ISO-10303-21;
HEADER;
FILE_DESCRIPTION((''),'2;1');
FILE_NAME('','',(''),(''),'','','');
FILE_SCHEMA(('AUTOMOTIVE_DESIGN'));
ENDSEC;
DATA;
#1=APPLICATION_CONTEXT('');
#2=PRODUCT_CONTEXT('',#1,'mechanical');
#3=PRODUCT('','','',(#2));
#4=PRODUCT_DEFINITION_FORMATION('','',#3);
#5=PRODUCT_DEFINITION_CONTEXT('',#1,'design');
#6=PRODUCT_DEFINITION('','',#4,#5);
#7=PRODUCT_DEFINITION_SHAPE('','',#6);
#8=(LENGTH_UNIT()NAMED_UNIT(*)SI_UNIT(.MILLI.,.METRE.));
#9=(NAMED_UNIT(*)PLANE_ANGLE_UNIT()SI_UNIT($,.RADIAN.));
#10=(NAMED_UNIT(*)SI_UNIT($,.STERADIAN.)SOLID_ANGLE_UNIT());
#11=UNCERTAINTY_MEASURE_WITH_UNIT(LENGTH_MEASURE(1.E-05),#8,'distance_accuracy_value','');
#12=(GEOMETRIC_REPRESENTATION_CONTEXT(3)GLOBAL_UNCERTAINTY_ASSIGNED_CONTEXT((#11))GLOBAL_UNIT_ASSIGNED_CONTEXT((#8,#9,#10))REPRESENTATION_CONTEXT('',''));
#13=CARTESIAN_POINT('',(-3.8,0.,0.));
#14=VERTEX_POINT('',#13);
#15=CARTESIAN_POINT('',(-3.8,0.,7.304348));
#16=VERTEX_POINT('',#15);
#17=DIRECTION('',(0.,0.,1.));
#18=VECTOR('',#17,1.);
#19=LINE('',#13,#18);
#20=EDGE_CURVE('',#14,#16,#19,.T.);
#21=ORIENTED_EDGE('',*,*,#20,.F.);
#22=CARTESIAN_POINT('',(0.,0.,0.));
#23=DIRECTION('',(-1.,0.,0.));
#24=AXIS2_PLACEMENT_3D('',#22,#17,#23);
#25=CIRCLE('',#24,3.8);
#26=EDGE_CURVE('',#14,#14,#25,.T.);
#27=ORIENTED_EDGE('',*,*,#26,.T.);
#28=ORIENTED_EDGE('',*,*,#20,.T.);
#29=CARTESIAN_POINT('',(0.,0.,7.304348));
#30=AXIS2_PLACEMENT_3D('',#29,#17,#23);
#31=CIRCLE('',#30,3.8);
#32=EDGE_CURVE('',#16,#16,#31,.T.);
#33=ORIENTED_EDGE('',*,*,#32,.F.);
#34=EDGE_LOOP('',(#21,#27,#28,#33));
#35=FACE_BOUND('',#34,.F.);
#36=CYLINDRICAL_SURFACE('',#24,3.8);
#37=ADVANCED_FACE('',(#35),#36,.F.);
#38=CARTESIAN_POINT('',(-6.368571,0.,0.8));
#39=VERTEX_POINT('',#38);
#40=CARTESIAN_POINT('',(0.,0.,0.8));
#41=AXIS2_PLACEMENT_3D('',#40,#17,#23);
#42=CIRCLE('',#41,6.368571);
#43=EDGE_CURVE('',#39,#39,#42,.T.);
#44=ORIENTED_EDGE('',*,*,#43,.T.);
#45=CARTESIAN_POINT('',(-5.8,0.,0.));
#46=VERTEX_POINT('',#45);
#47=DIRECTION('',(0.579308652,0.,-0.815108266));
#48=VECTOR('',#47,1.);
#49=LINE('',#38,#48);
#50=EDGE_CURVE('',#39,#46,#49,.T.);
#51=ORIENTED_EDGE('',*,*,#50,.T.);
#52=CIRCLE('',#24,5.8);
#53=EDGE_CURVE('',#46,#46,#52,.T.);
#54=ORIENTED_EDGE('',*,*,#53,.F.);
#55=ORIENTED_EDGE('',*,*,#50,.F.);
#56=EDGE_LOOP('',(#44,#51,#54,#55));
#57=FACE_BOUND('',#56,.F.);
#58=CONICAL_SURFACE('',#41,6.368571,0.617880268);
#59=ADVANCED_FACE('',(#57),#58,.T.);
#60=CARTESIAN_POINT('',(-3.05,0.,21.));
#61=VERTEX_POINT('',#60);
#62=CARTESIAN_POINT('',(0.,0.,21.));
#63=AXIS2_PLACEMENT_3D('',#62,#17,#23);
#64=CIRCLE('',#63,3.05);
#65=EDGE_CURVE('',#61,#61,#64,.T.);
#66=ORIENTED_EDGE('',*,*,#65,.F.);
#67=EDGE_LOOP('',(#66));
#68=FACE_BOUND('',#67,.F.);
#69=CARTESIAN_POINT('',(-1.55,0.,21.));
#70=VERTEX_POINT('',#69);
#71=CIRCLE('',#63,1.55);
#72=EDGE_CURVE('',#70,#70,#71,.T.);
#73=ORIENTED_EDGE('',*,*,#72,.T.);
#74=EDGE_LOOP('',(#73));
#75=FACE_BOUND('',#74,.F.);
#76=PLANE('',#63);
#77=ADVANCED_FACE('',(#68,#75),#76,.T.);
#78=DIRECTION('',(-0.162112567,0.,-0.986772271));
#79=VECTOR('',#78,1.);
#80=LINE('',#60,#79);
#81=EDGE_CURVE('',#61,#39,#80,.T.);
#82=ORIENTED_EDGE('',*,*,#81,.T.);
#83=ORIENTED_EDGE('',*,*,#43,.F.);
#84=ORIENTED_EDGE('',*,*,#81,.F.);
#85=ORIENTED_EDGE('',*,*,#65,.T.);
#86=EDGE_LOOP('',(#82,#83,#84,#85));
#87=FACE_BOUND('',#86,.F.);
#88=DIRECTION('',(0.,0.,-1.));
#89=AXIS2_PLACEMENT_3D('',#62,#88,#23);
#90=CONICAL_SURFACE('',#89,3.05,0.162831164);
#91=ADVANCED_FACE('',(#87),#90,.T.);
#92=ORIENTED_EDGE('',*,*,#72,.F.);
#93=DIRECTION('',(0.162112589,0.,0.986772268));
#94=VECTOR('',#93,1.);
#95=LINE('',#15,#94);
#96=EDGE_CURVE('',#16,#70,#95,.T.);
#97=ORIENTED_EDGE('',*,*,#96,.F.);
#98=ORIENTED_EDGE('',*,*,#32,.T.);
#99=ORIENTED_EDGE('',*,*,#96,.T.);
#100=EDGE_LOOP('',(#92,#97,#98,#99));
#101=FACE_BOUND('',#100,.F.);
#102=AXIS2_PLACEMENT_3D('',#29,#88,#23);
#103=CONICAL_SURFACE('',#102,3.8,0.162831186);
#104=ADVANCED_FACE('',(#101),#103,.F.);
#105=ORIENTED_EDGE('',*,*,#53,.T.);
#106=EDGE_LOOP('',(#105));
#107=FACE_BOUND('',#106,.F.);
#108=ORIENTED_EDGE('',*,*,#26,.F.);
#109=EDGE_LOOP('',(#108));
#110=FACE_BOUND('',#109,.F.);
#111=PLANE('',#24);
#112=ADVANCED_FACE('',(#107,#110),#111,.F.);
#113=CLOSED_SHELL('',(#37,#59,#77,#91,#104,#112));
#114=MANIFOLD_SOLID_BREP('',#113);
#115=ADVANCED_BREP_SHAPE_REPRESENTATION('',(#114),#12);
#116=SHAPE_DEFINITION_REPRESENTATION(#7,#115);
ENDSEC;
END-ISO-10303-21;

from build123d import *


with BuildPart() as f2:
    # F0 (on Front) → F2 (revolve)
    with BuildSketch(Plane.XZ):
        Polygon((-5.8, 0), (-5, 0), (-3.8, 7.304348), (-1.55, 21), (-3.05, 21), (-6.368571, 0.8), align=None)
        Polygon((-3.8, 7.304348), (-5, 0), (-3.8, 0), align=None)
    revolve(axis=Axis((0, 0, 10.568428), (0, 0, 1)))


solid = f2.part
